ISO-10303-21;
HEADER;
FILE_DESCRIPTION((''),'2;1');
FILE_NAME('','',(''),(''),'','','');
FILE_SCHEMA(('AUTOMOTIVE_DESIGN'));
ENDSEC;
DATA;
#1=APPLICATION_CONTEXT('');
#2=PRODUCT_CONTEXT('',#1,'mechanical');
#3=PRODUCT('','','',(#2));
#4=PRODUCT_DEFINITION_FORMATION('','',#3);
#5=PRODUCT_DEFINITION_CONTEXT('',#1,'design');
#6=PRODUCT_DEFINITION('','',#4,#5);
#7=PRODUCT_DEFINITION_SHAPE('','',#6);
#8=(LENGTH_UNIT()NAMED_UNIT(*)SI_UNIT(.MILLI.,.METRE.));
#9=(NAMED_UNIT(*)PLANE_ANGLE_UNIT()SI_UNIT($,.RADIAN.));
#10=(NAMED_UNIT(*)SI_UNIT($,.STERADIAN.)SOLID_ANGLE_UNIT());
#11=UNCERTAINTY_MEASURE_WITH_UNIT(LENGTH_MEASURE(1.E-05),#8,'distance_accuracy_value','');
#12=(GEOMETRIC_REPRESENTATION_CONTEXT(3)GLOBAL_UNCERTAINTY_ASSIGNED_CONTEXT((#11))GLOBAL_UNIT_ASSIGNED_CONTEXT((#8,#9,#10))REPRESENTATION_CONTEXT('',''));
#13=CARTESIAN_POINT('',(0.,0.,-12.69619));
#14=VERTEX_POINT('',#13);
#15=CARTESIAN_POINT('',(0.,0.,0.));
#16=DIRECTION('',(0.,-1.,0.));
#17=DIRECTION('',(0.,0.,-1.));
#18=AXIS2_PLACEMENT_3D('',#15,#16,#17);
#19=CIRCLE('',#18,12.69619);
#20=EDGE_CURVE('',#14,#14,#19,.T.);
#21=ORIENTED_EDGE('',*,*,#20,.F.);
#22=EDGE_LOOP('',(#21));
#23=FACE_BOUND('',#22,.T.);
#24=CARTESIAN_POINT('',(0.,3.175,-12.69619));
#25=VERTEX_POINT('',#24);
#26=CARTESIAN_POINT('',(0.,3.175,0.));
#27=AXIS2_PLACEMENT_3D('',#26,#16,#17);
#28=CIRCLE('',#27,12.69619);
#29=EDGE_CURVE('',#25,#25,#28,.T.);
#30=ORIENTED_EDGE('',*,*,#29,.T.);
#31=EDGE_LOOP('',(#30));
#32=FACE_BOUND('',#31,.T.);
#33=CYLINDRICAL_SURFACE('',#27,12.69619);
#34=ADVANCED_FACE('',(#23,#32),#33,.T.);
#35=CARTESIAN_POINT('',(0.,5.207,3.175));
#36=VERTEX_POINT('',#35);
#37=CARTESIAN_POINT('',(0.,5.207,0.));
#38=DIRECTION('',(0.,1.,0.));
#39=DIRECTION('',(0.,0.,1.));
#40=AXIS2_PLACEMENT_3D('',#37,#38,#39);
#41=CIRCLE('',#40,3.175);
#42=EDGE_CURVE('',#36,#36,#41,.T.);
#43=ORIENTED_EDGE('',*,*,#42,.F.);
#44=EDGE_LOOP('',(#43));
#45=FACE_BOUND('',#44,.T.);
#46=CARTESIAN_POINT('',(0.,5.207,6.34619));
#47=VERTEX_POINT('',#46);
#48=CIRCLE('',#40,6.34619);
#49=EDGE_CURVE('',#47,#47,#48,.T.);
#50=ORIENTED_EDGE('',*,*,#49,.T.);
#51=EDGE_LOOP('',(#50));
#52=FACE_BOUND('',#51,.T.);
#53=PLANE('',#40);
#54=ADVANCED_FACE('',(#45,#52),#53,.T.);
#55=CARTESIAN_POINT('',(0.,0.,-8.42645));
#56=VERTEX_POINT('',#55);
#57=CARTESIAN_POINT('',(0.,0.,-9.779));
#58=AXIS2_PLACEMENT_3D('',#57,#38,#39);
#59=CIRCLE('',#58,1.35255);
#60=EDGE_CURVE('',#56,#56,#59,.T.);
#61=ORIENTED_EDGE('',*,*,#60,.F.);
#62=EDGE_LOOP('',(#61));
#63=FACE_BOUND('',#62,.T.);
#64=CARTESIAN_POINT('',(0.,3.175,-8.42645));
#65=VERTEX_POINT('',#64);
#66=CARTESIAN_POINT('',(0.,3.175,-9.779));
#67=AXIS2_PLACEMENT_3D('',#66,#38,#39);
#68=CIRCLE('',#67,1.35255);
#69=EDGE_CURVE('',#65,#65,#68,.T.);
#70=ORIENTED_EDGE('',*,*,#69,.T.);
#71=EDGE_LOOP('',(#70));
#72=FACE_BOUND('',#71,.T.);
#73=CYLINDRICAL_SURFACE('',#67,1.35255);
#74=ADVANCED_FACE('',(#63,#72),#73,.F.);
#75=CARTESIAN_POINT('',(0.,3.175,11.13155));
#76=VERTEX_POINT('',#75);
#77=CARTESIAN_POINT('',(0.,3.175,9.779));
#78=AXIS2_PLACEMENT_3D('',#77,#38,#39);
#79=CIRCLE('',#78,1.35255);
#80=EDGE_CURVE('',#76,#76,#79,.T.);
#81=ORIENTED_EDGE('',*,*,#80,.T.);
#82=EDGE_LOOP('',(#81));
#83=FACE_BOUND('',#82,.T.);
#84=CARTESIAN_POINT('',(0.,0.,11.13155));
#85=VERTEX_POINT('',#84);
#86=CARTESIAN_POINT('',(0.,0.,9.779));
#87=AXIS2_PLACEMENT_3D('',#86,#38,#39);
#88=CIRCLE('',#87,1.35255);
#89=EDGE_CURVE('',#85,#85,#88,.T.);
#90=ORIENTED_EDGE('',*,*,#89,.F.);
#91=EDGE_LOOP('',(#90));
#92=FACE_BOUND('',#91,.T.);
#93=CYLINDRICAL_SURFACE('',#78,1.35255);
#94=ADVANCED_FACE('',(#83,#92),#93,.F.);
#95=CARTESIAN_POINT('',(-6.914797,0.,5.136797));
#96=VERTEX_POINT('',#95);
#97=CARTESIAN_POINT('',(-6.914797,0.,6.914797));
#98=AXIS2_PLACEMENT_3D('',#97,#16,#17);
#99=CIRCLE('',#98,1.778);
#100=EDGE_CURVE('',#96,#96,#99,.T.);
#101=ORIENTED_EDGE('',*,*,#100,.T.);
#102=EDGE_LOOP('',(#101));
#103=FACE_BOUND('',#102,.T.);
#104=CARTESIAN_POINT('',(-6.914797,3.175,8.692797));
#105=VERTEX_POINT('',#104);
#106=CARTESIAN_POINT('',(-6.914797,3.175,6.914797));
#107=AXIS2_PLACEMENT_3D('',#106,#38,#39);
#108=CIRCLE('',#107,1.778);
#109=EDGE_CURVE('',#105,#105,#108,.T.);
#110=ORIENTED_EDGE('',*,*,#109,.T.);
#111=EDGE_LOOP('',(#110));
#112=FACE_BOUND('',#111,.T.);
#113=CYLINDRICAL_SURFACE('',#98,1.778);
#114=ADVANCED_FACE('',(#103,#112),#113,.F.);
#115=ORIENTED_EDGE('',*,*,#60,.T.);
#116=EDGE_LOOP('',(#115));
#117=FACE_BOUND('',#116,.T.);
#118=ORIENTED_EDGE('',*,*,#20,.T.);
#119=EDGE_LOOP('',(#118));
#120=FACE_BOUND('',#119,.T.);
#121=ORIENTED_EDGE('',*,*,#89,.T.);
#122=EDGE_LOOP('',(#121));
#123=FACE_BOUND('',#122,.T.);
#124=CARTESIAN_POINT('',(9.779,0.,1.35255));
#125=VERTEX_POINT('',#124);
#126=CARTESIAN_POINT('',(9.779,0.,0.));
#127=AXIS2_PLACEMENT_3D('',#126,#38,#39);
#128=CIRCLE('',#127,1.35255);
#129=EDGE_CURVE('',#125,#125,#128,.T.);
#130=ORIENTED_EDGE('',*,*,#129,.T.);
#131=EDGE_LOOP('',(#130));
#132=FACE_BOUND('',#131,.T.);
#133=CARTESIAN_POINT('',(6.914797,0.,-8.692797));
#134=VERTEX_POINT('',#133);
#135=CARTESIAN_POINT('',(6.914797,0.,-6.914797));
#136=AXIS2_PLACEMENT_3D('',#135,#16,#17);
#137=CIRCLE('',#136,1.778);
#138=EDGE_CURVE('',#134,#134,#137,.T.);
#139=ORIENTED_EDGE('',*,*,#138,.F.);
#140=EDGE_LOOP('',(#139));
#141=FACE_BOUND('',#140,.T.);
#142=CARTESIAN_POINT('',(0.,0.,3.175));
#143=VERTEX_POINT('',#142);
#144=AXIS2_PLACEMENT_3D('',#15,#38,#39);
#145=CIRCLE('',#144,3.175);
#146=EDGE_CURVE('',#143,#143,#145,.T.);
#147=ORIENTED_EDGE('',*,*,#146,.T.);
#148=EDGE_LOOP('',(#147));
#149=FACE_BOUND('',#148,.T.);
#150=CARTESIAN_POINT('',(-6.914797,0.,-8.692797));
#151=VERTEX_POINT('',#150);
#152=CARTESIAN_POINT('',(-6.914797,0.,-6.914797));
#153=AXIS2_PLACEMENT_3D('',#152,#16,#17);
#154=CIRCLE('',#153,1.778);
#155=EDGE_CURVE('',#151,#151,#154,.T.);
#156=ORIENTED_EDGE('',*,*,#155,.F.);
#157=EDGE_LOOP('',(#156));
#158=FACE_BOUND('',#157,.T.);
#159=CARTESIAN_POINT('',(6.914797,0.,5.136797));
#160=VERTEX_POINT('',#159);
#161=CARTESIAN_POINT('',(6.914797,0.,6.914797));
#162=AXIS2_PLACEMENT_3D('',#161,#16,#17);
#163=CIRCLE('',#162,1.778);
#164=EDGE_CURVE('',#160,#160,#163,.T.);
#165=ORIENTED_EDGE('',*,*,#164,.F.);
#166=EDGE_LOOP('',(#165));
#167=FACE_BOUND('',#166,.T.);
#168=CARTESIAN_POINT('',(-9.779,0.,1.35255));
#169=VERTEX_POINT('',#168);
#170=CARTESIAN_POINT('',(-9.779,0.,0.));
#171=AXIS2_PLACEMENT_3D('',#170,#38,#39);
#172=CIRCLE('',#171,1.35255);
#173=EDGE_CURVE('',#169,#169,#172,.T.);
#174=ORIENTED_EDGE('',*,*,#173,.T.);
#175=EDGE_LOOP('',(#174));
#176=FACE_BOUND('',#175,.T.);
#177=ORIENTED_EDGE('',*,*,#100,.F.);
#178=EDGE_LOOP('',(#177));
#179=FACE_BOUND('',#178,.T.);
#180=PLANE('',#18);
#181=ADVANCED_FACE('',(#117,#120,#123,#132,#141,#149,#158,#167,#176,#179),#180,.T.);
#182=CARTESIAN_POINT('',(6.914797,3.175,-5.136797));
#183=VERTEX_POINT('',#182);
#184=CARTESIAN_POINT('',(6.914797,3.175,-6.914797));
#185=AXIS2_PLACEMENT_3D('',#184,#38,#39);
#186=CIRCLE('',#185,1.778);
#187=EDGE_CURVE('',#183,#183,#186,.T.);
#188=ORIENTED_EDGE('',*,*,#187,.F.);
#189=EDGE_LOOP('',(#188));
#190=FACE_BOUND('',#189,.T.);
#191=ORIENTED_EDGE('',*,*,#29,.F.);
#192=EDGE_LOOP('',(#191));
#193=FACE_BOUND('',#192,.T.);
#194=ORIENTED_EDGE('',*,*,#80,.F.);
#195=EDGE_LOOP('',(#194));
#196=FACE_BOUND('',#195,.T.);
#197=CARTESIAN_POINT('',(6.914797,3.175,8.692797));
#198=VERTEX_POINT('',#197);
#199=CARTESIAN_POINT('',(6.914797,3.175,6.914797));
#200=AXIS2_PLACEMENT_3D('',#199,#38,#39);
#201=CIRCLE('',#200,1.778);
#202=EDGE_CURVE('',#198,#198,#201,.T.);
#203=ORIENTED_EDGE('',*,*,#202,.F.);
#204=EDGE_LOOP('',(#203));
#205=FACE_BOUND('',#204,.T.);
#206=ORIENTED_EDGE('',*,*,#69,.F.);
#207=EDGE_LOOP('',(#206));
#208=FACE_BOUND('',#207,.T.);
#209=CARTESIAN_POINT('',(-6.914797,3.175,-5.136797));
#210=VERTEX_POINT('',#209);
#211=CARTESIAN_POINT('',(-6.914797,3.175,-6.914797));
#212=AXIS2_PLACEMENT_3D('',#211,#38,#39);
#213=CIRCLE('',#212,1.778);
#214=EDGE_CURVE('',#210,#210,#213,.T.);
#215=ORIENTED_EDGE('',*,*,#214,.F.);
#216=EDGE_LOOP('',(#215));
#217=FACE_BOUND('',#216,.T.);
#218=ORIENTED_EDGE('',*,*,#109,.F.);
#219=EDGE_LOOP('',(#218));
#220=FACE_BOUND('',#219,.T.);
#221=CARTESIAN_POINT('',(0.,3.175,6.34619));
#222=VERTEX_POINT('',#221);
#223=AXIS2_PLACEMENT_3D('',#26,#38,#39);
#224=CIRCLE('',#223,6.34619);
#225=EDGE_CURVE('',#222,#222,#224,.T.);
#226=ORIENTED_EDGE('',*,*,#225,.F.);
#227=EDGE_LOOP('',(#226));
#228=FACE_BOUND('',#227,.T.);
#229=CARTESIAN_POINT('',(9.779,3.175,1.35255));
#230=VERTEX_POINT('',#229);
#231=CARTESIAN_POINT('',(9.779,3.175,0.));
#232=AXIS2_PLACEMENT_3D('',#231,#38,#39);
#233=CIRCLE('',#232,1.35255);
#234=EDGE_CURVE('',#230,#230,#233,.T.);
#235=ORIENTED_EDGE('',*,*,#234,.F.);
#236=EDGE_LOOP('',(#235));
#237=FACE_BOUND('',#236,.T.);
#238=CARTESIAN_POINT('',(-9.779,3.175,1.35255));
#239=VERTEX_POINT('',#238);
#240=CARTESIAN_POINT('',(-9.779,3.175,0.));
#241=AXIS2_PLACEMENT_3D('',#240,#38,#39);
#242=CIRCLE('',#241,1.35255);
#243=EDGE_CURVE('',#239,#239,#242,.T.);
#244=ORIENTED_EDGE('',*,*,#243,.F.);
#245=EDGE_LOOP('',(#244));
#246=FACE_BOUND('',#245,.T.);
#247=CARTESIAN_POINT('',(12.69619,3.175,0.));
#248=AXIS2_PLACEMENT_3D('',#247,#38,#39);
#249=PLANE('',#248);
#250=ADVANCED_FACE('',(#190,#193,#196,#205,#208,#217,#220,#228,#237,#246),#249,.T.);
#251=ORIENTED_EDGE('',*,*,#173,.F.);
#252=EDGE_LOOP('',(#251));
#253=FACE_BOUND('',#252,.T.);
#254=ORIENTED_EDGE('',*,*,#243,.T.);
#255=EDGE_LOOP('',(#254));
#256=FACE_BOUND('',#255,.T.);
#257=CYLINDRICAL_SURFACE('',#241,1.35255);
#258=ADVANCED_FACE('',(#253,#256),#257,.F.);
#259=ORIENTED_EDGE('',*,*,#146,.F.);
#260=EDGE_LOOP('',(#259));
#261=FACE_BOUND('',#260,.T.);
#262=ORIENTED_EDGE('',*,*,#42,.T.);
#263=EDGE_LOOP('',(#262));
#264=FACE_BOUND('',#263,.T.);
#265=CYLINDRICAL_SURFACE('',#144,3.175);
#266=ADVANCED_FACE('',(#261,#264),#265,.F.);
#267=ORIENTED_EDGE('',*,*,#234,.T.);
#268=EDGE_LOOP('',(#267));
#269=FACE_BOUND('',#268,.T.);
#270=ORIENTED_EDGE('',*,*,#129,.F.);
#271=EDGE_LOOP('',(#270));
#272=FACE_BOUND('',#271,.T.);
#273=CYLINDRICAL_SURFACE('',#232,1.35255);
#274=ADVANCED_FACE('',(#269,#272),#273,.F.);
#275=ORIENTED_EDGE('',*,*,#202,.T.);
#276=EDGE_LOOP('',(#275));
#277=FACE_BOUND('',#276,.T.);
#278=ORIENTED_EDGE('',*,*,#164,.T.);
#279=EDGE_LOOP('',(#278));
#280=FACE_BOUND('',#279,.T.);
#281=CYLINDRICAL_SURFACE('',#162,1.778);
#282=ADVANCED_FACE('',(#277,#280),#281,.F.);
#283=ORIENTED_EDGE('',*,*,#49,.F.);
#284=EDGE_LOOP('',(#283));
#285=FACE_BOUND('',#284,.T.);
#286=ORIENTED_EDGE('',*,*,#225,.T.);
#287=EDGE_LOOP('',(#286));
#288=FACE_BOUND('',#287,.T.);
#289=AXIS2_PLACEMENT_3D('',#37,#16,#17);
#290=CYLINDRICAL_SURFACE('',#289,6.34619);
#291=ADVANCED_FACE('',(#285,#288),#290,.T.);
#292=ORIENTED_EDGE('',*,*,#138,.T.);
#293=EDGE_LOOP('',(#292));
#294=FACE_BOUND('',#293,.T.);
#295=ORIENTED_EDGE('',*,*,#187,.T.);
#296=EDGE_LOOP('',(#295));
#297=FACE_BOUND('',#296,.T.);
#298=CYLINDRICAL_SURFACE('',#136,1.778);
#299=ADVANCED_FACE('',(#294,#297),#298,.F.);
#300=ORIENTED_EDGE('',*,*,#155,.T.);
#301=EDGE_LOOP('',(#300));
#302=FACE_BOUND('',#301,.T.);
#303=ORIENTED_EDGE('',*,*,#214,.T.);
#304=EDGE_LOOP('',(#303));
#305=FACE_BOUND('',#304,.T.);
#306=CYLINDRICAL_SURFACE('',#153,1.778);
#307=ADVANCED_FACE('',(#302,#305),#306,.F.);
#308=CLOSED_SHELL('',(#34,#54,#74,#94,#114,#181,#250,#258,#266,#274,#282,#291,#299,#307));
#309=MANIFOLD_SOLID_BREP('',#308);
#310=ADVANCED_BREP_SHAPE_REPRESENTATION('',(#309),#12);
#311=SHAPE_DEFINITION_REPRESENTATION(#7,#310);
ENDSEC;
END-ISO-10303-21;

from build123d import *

# Parameters (mm, degrees)
SKETCH1_W                = 12.69619
SKETCH1_H                = 3.175
SKETCH2_R                = 6.34619
BOSS_EXTRUDE1_DEPTH      = 2.032
M2_5_CLEARANCE_HOLE1_D   = 2.7051
M3_CLEARANCE_HOLE1_D     = 3.556
M3_CLEARANCE_HOLE1_DEPTH = 5.207
SKETCH9_R                = 3.175
CUT_EXTRUDE1_DEPTH       = 19.694901177


with BuildPart() as part:
    # Sketch1 → Revolve1 (revolve)
    with BuildSketch(Plane.XY, mode=Mode.PRIVATE) as revolve1_sk:
        with Locations((6.348095, 1.5875)):
            Rectangle(SKETCH1_W, SKETCH1_H)
    revolve(revolve1_sk.sketch.rotate(Axis((0, 3.175, 0), (0, -1, 0)), 270), axis=Axis((0, 3.175, 0), (0, -1, 0)))

    # Sketch2 → Boss-Extrude1 (add)
    with BuildSketch(Plane(origin=(0, 3.175, 0), x_dir=(-1, 0, 0), z_dir=(0, 1, 0))):
        with Locations(Location((0, 0, 0), (0, 0, 90))):
            Circle(SKETCH2_R)
    extrude(amount=BOSS_EXTRUDE1_DEPTH)

    # M2.5 Clearance Hole1 (through all)
    with Locations(Plane(origin=(0, 3.175, 0), x_dir=(1, 0, 0), z_dir=(0, 1, 0))):
        with Locations((-9.779, 0), (0, 9.779), (9.779, 0), (0, -9.779)):
            Hole(M2_5_CLEARANCE_HOLE1_D / 2)

    # M3 Clearance Hole1
    with Locations(Plane(origin=(0, 0, 0), x_dir=(-1, 0, 0), z_dir=(0, -1, 0))):
        with Locations((6.914797213, 6.914797213), (-6.914797213, 6.914797213), (-6.914797213, -6.914797213), (6.914797213, -6.914797213)):
            Hole(M3_CLEARANCE_HOLE1_D / 2, depth=M3_CLEARANCE_HOLE1_DEPTH)

    # Sketch9 → Cut-Extrude1 (cut, through all)
    with BuildSketch(Plane(origin=(0, 5.207, 0), x_dir=(1, 0, 0), z_dir=(0, 1, 0))):
        with Locations(Location((0, 0, 0), (0, 0, 270))):
            Circle(SKETCH9_R)
    extrude(amount=-CUT_EXTRUDE1_DEPTH, mode=Mode.SUBTRACT)


solid = part.part
